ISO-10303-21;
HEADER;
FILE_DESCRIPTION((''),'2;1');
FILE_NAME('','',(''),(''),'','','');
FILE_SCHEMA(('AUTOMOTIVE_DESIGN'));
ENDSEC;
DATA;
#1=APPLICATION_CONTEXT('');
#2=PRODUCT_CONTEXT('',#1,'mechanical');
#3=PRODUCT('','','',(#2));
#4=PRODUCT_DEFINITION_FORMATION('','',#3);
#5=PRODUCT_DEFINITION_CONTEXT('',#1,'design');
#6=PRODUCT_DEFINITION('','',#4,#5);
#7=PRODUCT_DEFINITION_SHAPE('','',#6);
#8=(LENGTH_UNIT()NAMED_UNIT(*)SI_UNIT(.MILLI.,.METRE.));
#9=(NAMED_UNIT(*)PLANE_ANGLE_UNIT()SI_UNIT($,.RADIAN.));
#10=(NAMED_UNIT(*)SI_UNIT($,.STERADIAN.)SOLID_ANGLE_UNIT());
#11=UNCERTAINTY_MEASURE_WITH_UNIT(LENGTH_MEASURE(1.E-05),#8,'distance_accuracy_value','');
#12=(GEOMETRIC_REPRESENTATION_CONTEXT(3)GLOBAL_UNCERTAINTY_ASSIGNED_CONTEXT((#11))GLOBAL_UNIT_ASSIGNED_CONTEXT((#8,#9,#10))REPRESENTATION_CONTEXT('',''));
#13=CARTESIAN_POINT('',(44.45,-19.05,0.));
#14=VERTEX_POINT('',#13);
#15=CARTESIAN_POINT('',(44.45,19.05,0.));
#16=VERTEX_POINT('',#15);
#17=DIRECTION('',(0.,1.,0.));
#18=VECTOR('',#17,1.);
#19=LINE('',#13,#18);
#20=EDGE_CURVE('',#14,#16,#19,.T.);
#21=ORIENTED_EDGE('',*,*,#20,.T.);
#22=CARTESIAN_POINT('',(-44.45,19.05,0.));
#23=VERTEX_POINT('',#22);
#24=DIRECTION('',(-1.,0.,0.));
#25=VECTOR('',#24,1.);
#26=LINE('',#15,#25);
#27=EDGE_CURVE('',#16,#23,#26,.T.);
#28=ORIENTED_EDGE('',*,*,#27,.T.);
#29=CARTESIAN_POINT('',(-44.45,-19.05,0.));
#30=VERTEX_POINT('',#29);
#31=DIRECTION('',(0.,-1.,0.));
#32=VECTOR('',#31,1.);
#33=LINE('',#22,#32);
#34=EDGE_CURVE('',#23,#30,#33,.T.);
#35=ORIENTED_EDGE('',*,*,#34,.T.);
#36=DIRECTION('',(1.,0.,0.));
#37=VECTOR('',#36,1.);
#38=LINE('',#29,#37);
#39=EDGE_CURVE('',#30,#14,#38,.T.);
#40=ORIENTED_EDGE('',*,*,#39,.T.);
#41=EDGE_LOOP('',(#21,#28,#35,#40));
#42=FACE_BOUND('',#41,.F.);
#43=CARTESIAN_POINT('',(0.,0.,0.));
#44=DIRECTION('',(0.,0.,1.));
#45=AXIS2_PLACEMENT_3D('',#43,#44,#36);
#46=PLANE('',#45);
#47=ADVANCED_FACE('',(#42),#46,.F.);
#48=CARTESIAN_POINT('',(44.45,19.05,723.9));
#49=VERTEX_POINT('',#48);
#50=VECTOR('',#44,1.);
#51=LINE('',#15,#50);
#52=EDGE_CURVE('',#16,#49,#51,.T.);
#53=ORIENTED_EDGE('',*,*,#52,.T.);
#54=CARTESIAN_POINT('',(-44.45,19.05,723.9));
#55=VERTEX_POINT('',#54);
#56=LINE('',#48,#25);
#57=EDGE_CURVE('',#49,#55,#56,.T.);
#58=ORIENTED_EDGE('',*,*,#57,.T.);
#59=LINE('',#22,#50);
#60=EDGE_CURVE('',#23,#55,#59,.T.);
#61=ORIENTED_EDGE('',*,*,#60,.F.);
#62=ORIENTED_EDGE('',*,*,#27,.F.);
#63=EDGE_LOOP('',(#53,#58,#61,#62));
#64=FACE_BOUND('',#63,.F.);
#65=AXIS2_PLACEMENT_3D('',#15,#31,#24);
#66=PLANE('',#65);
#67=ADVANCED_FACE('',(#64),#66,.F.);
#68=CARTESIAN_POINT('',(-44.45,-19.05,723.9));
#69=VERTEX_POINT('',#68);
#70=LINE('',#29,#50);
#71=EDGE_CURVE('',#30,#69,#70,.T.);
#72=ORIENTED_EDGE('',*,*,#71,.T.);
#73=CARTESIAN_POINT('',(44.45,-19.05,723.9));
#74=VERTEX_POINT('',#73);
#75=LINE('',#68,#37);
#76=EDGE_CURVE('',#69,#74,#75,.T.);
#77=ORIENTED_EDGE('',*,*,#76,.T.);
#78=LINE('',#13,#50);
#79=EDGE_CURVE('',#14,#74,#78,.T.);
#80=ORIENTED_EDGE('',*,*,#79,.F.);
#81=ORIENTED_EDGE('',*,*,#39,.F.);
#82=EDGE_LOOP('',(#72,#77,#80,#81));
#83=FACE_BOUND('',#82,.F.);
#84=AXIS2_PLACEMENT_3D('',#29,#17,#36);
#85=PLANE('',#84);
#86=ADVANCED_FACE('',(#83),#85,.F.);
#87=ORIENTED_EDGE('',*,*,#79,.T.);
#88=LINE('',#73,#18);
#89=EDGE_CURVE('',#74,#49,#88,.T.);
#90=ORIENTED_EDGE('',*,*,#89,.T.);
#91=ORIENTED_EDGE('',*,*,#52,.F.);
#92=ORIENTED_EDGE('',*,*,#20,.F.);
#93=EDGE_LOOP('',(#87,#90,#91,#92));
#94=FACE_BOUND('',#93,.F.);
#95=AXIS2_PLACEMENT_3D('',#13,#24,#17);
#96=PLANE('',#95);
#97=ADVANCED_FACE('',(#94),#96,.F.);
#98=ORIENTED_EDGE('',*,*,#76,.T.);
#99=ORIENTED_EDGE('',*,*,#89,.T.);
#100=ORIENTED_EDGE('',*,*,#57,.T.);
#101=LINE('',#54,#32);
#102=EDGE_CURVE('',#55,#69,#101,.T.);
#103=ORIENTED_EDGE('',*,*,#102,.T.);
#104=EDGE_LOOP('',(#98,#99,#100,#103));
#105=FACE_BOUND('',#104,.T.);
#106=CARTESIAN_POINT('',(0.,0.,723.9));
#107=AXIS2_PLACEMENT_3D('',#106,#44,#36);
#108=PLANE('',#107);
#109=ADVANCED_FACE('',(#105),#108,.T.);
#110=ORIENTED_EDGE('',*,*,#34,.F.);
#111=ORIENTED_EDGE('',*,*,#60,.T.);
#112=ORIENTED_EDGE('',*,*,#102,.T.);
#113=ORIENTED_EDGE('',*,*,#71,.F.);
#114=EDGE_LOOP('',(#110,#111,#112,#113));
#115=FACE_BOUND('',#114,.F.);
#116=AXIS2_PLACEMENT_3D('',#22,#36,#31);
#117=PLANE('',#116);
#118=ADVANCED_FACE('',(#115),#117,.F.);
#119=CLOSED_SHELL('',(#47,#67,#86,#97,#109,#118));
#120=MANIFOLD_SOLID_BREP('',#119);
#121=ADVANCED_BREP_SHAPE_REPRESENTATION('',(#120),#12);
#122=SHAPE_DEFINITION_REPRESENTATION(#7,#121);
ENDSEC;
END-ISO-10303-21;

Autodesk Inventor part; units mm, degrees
ref_plane "YZ Plane" through (0, 0, 0) normal (1, 0, 0) x (0, 1, 0)
ref_plane "XZ Plane" through (0, 0, 0) normal (0, 1, 0) x (-1, 0, 0)
ref_plane "XY Plane" through (0, 0, 0) normal (0, 0, 1) x (1, 0, 0)
sketch "Sketch1" plane through (0, 0, 0) normal (0, 0, 1) x (1, 0, 0)
  line L0 (-44.45, -19.05) -> (44.45, -19.05)
  line L1 (44.45, -19.05) -> (44.45, 19.05)
  line L2 (44.45, 19.05) -> (-44.45, 19.05)
  line L3 (-44.45, 19.05) -> (-44.45, -19.05)
  line L4 (-44.45, -19.05) -> (44.45, 19.05) construction
  line L5 (44.45, -19.05) -> (-44.45, 19.05) construction
  point P0 (0, 0)
  dimension "d0" = 88.9
  dimension "d1" = 38.1
extrude "Extrusion1" add sketch "Sketch1" along normal blind 723.9
properties part number "2x4x28.5"
